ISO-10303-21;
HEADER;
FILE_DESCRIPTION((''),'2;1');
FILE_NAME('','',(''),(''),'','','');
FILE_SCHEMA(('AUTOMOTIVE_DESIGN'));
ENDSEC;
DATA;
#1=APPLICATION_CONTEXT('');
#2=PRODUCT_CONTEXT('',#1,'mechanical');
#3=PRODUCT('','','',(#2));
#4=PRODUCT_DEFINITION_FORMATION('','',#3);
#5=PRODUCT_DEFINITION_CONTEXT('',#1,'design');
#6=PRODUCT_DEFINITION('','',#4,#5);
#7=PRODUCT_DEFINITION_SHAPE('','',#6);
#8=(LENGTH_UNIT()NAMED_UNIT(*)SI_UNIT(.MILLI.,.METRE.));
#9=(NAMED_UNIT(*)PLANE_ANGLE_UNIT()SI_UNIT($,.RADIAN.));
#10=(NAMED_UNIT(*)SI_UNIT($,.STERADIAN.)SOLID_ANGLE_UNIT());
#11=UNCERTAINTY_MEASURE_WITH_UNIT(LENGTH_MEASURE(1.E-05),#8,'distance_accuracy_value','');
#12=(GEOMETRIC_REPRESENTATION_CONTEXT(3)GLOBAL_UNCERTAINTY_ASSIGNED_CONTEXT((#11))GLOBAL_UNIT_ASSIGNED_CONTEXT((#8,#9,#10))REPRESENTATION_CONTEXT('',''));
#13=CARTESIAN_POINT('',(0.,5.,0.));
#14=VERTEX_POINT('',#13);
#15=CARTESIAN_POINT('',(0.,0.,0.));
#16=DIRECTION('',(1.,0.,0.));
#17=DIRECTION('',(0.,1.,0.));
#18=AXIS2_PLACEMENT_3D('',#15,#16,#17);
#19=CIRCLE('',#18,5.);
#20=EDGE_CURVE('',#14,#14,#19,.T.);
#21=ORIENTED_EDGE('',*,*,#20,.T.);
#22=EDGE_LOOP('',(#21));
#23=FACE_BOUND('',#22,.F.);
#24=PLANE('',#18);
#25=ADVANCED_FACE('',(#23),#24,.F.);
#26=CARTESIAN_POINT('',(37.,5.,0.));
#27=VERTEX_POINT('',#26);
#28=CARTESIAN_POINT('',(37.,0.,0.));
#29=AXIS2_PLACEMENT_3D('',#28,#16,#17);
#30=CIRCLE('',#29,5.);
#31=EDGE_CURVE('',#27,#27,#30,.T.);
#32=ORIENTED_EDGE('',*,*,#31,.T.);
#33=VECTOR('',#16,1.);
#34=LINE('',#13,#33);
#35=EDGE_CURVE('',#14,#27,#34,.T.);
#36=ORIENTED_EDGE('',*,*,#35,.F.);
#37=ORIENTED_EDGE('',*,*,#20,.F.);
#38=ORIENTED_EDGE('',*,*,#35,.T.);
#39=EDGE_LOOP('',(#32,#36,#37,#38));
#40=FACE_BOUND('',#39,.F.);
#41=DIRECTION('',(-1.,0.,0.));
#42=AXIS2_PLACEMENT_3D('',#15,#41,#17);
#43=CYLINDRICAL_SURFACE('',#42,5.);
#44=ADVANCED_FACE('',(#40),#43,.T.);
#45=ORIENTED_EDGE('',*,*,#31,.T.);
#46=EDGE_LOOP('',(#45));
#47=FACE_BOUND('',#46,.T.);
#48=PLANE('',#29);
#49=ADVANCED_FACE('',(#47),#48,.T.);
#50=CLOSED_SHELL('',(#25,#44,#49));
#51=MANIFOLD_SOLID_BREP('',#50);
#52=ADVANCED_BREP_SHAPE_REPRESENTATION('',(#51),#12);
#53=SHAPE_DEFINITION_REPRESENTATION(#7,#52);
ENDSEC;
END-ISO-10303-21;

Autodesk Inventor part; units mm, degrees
ref_plane "YZ Plane" through (0, 0, 0) normal (1, 0, 0) x (0, 1, 0)
ref_plane "XZ Plane" through (0, 0, 0) normal (0, 1, 0) x (-1, 0, 0)
ref_plane "XY Plane" through (0, 0, 0) normal (0, 0, 1) x (1, 0, 0)
sketch "スケッチ1" plane through (0, 0, 0) normal (1, 0, 0) x (0, 1, 0)
  circle A0 centre (0, 0) radius 5
  dimension "d0" = 10
extrude "押し出し1" add sketch "スケッチ1" along normal blind 37
properties part number "base_weel-v1-Shaft-spesa-3" material "アルミニウム 6061"
